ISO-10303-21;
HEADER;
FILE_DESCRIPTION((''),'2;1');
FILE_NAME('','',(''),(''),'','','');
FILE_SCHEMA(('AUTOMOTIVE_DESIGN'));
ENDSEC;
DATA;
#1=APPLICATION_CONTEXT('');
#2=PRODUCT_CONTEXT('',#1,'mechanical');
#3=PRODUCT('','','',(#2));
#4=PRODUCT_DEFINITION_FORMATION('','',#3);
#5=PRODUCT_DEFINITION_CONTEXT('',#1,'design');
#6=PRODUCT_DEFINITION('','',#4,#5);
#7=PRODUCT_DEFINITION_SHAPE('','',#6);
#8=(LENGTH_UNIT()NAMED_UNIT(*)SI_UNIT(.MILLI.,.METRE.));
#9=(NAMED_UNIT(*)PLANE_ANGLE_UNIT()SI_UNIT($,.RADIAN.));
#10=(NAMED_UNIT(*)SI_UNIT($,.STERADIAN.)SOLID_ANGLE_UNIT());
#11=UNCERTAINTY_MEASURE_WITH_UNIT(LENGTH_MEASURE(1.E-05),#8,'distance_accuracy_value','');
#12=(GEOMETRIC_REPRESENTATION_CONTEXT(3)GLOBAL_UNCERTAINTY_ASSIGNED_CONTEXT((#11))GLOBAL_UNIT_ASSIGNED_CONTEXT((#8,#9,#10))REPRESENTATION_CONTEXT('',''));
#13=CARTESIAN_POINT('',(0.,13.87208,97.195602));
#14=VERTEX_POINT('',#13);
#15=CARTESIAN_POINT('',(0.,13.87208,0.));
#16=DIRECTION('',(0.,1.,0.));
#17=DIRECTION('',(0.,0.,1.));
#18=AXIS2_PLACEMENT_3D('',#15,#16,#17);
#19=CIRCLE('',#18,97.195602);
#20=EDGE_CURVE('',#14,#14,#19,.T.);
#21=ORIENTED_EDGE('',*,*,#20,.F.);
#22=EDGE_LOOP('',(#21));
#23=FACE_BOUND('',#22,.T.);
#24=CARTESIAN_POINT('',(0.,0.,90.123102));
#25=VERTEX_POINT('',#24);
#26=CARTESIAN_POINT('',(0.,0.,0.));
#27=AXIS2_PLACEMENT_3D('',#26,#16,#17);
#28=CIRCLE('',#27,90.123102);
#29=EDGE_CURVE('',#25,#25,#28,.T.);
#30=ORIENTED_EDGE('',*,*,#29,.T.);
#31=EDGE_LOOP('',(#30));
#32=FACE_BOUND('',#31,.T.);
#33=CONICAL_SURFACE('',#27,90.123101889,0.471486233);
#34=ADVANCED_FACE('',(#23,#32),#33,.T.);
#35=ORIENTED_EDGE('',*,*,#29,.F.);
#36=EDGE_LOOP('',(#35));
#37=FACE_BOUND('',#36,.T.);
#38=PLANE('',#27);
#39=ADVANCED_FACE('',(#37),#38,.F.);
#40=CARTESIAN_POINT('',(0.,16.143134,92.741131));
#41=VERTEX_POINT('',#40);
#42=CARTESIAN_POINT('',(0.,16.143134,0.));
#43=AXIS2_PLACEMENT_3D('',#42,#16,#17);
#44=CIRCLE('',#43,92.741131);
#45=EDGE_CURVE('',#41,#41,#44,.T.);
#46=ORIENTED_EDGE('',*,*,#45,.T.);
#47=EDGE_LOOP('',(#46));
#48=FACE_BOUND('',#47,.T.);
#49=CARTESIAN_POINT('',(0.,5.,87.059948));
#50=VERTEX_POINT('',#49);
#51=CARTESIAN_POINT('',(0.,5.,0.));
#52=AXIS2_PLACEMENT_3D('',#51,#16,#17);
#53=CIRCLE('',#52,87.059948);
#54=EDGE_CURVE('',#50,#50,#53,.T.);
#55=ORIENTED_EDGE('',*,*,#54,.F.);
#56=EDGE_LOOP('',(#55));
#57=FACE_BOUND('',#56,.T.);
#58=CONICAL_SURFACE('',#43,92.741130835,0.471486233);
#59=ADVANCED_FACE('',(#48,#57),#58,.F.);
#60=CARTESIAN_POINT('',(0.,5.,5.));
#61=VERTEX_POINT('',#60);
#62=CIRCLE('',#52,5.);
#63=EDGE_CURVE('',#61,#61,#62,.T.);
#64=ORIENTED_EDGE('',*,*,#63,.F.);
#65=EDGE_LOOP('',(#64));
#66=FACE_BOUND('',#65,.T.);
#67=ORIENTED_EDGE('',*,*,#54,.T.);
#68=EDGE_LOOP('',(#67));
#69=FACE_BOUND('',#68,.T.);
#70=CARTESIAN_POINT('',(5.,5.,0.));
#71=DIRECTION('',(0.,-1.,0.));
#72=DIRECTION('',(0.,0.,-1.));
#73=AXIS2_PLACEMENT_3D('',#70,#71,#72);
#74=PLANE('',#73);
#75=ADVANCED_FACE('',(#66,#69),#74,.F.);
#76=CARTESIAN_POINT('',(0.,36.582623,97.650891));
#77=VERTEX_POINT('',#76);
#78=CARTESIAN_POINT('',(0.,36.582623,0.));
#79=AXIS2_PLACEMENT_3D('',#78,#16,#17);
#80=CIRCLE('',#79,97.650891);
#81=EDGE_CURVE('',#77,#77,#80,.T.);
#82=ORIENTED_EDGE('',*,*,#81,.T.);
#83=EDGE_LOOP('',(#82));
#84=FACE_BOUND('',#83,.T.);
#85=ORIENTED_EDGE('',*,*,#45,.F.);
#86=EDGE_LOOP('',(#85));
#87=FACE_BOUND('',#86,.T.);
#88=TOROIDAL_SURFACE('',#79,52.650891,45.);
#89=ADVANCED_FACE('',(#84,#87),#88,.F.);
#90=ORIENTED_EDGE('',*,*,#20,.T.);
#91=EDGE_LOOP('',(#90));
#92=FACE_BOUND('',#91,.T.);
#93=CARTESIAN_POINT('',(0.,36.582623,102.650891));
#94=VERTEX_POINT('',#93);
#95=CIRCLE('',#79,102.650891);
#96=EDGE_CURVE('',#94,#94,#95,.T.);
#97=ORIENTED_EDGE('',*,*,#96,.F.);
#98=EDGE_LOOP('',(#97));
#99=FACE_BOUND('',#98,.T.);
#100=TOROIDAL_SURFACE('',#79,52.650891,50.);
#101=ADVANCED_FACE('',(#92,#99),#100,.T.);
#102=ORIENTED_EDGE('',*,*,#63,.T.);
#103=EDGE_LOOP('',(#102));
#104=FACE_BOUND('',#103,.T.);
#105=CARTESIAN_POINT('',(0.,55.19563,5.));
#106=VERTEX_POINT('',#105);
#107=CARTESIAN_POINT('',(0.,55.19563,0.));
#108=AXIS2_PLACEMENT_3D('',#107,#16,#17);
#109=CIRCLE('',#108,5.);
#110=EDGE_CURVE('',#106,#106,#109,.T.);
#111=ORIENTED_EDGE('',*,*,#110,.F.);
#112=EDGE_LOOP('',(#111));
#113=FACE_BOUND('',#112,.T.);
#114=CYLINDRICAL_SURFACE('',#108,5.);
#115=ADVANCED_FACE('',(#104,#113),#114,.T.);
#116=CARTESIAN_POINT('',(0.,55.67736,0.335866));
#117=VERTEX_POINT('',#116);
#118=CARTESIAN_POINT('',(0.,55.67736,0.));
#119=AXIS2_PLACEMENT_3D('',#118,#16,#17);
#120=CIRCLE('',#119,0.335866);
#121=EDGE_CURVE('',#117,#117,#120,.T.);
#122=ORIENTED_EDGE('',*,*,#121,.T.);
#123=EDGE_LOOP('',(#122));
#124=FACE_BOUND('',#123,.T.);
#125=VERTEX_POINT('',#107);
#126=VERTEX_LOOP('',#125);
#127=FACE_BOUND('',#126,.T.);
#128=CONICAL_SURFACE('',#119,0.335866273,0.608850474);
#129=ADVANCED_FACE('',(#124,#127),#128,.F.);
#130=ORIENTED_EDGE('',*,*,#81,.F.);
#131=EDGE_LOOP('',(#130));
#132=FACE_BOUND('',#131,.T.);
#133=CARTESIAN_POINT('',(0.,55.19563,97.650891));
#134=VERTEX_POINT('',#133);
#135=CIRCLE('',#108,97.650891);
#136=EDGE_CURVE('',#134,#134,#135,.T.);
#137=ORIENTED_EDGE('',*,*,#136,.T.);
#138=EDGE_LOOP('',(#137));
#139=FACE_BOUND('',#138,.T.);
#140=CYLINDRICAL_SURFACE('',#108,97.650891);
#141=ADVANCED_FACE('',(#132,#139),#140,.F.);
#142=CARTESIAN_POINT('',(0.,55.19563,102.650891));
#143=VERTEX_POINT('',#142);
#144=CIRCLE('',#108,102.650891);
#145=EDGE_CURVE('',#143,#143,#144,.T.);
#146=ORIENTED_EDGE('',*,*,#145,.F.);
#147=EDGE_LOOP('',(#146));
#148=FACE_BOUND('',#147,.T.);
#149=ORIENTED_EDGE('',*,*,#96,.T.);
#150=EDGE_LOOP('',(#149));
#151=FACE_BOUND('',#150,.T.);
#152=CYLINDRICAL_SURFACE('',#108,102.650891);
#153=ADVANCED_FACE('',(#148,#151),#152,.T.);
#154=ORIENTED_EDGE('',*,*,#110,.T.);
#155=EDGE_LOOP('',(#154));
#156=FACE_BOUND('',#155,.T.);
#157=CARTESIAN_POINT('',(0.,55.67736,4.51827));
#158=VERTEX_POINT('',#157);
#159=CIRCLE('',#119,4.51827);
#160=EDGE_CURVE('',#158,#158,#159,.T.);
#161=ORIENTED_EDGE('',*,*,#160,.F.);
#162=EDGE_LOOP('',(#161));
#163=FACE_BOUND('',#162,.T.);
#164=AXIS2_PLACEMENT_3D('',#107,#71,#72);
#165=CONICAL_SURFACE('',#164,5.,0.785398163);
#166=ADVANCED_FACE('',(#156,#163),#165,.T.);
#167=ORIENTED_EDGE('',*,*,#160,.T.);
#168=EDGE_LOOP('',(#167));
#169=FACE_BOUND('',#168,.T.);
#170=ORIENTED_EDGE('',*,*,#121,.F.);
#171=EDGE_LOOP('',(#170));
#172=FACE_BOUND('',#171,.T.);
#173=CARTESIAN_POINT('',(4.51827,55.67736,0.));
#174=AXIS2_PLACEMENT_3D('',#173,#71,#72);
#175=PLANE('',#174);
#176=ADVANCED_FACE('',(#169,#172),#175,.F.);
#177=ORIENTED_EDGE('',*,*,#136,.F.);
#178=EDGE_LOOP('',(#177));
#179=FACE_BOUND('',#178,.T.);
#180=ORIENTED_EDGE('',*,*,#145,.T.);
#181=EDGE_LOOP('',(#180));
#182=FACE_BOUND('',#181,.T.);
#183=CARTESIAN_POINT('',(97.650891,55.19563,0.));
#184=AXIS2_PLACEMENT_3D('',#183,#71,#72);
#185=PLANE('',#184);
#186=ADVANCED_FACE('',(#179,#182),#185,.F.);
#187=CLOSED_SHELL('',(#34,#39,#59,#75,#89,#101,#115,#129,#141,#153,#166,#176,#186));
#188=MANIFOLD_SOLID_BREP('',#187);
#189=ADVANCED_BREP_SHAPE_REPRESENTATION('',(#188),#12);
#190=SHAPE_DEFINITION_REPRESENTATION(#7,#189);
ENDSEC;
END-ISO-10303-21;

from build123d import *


with BuildPart() as part:
    # Croquis3 → Revolución3 (revolve)
    with BuildSketch(Plane.XY, mode=Mode.PRIVATE) as revoluci_n3_sk:
        with BuildLine():
            Line((0, 0), (90.123101889, 0))
            Line((90.123101889, 0), (97.195601882, 13.872079708))
            ThreePointArc((97.195601882, 13.872079708), (101.267943582, 24.904342215), (102.650891411, 36.582622834))
            Line((102.650891411, 36.582622834), (102.650891411, 55.195630425))
            Line((102.650891411, 55.195630425), (97.650891411, 55.195630425))
            Line((97.650891411, 55.195630425), (97.650891411, 36.582622834))
            ThreePointArc((97.650891411, 36.582622834), (96.406238365, 26.072170277), (92.741130835, 16.143134021))
            Line((92.741130835, 16.143134021), (87.059948421, 5))
            Line((87.059948421, 5), (5, 5))
            Line((5, 5), (5, 55.195630425))
            Line((5, 55.195630425), (4.518270437, 55.677359988))
            Line((4.518270437, 55.677359988), (0.335866273, 55.677359988))
            Line((0.335866273, 55.677359988), (0, 55.195630425))
            Line((0, 55.195630425), (0, 0))
        make_face()
    revolve(revoluci_n3_sk.sketch.rotate(Axis((0, 55.195630425, 0), (0, -1, 0)), 90), axis=Axis((0, 55.195630425, 0), (0, -1, 0)))


solid = part.part
